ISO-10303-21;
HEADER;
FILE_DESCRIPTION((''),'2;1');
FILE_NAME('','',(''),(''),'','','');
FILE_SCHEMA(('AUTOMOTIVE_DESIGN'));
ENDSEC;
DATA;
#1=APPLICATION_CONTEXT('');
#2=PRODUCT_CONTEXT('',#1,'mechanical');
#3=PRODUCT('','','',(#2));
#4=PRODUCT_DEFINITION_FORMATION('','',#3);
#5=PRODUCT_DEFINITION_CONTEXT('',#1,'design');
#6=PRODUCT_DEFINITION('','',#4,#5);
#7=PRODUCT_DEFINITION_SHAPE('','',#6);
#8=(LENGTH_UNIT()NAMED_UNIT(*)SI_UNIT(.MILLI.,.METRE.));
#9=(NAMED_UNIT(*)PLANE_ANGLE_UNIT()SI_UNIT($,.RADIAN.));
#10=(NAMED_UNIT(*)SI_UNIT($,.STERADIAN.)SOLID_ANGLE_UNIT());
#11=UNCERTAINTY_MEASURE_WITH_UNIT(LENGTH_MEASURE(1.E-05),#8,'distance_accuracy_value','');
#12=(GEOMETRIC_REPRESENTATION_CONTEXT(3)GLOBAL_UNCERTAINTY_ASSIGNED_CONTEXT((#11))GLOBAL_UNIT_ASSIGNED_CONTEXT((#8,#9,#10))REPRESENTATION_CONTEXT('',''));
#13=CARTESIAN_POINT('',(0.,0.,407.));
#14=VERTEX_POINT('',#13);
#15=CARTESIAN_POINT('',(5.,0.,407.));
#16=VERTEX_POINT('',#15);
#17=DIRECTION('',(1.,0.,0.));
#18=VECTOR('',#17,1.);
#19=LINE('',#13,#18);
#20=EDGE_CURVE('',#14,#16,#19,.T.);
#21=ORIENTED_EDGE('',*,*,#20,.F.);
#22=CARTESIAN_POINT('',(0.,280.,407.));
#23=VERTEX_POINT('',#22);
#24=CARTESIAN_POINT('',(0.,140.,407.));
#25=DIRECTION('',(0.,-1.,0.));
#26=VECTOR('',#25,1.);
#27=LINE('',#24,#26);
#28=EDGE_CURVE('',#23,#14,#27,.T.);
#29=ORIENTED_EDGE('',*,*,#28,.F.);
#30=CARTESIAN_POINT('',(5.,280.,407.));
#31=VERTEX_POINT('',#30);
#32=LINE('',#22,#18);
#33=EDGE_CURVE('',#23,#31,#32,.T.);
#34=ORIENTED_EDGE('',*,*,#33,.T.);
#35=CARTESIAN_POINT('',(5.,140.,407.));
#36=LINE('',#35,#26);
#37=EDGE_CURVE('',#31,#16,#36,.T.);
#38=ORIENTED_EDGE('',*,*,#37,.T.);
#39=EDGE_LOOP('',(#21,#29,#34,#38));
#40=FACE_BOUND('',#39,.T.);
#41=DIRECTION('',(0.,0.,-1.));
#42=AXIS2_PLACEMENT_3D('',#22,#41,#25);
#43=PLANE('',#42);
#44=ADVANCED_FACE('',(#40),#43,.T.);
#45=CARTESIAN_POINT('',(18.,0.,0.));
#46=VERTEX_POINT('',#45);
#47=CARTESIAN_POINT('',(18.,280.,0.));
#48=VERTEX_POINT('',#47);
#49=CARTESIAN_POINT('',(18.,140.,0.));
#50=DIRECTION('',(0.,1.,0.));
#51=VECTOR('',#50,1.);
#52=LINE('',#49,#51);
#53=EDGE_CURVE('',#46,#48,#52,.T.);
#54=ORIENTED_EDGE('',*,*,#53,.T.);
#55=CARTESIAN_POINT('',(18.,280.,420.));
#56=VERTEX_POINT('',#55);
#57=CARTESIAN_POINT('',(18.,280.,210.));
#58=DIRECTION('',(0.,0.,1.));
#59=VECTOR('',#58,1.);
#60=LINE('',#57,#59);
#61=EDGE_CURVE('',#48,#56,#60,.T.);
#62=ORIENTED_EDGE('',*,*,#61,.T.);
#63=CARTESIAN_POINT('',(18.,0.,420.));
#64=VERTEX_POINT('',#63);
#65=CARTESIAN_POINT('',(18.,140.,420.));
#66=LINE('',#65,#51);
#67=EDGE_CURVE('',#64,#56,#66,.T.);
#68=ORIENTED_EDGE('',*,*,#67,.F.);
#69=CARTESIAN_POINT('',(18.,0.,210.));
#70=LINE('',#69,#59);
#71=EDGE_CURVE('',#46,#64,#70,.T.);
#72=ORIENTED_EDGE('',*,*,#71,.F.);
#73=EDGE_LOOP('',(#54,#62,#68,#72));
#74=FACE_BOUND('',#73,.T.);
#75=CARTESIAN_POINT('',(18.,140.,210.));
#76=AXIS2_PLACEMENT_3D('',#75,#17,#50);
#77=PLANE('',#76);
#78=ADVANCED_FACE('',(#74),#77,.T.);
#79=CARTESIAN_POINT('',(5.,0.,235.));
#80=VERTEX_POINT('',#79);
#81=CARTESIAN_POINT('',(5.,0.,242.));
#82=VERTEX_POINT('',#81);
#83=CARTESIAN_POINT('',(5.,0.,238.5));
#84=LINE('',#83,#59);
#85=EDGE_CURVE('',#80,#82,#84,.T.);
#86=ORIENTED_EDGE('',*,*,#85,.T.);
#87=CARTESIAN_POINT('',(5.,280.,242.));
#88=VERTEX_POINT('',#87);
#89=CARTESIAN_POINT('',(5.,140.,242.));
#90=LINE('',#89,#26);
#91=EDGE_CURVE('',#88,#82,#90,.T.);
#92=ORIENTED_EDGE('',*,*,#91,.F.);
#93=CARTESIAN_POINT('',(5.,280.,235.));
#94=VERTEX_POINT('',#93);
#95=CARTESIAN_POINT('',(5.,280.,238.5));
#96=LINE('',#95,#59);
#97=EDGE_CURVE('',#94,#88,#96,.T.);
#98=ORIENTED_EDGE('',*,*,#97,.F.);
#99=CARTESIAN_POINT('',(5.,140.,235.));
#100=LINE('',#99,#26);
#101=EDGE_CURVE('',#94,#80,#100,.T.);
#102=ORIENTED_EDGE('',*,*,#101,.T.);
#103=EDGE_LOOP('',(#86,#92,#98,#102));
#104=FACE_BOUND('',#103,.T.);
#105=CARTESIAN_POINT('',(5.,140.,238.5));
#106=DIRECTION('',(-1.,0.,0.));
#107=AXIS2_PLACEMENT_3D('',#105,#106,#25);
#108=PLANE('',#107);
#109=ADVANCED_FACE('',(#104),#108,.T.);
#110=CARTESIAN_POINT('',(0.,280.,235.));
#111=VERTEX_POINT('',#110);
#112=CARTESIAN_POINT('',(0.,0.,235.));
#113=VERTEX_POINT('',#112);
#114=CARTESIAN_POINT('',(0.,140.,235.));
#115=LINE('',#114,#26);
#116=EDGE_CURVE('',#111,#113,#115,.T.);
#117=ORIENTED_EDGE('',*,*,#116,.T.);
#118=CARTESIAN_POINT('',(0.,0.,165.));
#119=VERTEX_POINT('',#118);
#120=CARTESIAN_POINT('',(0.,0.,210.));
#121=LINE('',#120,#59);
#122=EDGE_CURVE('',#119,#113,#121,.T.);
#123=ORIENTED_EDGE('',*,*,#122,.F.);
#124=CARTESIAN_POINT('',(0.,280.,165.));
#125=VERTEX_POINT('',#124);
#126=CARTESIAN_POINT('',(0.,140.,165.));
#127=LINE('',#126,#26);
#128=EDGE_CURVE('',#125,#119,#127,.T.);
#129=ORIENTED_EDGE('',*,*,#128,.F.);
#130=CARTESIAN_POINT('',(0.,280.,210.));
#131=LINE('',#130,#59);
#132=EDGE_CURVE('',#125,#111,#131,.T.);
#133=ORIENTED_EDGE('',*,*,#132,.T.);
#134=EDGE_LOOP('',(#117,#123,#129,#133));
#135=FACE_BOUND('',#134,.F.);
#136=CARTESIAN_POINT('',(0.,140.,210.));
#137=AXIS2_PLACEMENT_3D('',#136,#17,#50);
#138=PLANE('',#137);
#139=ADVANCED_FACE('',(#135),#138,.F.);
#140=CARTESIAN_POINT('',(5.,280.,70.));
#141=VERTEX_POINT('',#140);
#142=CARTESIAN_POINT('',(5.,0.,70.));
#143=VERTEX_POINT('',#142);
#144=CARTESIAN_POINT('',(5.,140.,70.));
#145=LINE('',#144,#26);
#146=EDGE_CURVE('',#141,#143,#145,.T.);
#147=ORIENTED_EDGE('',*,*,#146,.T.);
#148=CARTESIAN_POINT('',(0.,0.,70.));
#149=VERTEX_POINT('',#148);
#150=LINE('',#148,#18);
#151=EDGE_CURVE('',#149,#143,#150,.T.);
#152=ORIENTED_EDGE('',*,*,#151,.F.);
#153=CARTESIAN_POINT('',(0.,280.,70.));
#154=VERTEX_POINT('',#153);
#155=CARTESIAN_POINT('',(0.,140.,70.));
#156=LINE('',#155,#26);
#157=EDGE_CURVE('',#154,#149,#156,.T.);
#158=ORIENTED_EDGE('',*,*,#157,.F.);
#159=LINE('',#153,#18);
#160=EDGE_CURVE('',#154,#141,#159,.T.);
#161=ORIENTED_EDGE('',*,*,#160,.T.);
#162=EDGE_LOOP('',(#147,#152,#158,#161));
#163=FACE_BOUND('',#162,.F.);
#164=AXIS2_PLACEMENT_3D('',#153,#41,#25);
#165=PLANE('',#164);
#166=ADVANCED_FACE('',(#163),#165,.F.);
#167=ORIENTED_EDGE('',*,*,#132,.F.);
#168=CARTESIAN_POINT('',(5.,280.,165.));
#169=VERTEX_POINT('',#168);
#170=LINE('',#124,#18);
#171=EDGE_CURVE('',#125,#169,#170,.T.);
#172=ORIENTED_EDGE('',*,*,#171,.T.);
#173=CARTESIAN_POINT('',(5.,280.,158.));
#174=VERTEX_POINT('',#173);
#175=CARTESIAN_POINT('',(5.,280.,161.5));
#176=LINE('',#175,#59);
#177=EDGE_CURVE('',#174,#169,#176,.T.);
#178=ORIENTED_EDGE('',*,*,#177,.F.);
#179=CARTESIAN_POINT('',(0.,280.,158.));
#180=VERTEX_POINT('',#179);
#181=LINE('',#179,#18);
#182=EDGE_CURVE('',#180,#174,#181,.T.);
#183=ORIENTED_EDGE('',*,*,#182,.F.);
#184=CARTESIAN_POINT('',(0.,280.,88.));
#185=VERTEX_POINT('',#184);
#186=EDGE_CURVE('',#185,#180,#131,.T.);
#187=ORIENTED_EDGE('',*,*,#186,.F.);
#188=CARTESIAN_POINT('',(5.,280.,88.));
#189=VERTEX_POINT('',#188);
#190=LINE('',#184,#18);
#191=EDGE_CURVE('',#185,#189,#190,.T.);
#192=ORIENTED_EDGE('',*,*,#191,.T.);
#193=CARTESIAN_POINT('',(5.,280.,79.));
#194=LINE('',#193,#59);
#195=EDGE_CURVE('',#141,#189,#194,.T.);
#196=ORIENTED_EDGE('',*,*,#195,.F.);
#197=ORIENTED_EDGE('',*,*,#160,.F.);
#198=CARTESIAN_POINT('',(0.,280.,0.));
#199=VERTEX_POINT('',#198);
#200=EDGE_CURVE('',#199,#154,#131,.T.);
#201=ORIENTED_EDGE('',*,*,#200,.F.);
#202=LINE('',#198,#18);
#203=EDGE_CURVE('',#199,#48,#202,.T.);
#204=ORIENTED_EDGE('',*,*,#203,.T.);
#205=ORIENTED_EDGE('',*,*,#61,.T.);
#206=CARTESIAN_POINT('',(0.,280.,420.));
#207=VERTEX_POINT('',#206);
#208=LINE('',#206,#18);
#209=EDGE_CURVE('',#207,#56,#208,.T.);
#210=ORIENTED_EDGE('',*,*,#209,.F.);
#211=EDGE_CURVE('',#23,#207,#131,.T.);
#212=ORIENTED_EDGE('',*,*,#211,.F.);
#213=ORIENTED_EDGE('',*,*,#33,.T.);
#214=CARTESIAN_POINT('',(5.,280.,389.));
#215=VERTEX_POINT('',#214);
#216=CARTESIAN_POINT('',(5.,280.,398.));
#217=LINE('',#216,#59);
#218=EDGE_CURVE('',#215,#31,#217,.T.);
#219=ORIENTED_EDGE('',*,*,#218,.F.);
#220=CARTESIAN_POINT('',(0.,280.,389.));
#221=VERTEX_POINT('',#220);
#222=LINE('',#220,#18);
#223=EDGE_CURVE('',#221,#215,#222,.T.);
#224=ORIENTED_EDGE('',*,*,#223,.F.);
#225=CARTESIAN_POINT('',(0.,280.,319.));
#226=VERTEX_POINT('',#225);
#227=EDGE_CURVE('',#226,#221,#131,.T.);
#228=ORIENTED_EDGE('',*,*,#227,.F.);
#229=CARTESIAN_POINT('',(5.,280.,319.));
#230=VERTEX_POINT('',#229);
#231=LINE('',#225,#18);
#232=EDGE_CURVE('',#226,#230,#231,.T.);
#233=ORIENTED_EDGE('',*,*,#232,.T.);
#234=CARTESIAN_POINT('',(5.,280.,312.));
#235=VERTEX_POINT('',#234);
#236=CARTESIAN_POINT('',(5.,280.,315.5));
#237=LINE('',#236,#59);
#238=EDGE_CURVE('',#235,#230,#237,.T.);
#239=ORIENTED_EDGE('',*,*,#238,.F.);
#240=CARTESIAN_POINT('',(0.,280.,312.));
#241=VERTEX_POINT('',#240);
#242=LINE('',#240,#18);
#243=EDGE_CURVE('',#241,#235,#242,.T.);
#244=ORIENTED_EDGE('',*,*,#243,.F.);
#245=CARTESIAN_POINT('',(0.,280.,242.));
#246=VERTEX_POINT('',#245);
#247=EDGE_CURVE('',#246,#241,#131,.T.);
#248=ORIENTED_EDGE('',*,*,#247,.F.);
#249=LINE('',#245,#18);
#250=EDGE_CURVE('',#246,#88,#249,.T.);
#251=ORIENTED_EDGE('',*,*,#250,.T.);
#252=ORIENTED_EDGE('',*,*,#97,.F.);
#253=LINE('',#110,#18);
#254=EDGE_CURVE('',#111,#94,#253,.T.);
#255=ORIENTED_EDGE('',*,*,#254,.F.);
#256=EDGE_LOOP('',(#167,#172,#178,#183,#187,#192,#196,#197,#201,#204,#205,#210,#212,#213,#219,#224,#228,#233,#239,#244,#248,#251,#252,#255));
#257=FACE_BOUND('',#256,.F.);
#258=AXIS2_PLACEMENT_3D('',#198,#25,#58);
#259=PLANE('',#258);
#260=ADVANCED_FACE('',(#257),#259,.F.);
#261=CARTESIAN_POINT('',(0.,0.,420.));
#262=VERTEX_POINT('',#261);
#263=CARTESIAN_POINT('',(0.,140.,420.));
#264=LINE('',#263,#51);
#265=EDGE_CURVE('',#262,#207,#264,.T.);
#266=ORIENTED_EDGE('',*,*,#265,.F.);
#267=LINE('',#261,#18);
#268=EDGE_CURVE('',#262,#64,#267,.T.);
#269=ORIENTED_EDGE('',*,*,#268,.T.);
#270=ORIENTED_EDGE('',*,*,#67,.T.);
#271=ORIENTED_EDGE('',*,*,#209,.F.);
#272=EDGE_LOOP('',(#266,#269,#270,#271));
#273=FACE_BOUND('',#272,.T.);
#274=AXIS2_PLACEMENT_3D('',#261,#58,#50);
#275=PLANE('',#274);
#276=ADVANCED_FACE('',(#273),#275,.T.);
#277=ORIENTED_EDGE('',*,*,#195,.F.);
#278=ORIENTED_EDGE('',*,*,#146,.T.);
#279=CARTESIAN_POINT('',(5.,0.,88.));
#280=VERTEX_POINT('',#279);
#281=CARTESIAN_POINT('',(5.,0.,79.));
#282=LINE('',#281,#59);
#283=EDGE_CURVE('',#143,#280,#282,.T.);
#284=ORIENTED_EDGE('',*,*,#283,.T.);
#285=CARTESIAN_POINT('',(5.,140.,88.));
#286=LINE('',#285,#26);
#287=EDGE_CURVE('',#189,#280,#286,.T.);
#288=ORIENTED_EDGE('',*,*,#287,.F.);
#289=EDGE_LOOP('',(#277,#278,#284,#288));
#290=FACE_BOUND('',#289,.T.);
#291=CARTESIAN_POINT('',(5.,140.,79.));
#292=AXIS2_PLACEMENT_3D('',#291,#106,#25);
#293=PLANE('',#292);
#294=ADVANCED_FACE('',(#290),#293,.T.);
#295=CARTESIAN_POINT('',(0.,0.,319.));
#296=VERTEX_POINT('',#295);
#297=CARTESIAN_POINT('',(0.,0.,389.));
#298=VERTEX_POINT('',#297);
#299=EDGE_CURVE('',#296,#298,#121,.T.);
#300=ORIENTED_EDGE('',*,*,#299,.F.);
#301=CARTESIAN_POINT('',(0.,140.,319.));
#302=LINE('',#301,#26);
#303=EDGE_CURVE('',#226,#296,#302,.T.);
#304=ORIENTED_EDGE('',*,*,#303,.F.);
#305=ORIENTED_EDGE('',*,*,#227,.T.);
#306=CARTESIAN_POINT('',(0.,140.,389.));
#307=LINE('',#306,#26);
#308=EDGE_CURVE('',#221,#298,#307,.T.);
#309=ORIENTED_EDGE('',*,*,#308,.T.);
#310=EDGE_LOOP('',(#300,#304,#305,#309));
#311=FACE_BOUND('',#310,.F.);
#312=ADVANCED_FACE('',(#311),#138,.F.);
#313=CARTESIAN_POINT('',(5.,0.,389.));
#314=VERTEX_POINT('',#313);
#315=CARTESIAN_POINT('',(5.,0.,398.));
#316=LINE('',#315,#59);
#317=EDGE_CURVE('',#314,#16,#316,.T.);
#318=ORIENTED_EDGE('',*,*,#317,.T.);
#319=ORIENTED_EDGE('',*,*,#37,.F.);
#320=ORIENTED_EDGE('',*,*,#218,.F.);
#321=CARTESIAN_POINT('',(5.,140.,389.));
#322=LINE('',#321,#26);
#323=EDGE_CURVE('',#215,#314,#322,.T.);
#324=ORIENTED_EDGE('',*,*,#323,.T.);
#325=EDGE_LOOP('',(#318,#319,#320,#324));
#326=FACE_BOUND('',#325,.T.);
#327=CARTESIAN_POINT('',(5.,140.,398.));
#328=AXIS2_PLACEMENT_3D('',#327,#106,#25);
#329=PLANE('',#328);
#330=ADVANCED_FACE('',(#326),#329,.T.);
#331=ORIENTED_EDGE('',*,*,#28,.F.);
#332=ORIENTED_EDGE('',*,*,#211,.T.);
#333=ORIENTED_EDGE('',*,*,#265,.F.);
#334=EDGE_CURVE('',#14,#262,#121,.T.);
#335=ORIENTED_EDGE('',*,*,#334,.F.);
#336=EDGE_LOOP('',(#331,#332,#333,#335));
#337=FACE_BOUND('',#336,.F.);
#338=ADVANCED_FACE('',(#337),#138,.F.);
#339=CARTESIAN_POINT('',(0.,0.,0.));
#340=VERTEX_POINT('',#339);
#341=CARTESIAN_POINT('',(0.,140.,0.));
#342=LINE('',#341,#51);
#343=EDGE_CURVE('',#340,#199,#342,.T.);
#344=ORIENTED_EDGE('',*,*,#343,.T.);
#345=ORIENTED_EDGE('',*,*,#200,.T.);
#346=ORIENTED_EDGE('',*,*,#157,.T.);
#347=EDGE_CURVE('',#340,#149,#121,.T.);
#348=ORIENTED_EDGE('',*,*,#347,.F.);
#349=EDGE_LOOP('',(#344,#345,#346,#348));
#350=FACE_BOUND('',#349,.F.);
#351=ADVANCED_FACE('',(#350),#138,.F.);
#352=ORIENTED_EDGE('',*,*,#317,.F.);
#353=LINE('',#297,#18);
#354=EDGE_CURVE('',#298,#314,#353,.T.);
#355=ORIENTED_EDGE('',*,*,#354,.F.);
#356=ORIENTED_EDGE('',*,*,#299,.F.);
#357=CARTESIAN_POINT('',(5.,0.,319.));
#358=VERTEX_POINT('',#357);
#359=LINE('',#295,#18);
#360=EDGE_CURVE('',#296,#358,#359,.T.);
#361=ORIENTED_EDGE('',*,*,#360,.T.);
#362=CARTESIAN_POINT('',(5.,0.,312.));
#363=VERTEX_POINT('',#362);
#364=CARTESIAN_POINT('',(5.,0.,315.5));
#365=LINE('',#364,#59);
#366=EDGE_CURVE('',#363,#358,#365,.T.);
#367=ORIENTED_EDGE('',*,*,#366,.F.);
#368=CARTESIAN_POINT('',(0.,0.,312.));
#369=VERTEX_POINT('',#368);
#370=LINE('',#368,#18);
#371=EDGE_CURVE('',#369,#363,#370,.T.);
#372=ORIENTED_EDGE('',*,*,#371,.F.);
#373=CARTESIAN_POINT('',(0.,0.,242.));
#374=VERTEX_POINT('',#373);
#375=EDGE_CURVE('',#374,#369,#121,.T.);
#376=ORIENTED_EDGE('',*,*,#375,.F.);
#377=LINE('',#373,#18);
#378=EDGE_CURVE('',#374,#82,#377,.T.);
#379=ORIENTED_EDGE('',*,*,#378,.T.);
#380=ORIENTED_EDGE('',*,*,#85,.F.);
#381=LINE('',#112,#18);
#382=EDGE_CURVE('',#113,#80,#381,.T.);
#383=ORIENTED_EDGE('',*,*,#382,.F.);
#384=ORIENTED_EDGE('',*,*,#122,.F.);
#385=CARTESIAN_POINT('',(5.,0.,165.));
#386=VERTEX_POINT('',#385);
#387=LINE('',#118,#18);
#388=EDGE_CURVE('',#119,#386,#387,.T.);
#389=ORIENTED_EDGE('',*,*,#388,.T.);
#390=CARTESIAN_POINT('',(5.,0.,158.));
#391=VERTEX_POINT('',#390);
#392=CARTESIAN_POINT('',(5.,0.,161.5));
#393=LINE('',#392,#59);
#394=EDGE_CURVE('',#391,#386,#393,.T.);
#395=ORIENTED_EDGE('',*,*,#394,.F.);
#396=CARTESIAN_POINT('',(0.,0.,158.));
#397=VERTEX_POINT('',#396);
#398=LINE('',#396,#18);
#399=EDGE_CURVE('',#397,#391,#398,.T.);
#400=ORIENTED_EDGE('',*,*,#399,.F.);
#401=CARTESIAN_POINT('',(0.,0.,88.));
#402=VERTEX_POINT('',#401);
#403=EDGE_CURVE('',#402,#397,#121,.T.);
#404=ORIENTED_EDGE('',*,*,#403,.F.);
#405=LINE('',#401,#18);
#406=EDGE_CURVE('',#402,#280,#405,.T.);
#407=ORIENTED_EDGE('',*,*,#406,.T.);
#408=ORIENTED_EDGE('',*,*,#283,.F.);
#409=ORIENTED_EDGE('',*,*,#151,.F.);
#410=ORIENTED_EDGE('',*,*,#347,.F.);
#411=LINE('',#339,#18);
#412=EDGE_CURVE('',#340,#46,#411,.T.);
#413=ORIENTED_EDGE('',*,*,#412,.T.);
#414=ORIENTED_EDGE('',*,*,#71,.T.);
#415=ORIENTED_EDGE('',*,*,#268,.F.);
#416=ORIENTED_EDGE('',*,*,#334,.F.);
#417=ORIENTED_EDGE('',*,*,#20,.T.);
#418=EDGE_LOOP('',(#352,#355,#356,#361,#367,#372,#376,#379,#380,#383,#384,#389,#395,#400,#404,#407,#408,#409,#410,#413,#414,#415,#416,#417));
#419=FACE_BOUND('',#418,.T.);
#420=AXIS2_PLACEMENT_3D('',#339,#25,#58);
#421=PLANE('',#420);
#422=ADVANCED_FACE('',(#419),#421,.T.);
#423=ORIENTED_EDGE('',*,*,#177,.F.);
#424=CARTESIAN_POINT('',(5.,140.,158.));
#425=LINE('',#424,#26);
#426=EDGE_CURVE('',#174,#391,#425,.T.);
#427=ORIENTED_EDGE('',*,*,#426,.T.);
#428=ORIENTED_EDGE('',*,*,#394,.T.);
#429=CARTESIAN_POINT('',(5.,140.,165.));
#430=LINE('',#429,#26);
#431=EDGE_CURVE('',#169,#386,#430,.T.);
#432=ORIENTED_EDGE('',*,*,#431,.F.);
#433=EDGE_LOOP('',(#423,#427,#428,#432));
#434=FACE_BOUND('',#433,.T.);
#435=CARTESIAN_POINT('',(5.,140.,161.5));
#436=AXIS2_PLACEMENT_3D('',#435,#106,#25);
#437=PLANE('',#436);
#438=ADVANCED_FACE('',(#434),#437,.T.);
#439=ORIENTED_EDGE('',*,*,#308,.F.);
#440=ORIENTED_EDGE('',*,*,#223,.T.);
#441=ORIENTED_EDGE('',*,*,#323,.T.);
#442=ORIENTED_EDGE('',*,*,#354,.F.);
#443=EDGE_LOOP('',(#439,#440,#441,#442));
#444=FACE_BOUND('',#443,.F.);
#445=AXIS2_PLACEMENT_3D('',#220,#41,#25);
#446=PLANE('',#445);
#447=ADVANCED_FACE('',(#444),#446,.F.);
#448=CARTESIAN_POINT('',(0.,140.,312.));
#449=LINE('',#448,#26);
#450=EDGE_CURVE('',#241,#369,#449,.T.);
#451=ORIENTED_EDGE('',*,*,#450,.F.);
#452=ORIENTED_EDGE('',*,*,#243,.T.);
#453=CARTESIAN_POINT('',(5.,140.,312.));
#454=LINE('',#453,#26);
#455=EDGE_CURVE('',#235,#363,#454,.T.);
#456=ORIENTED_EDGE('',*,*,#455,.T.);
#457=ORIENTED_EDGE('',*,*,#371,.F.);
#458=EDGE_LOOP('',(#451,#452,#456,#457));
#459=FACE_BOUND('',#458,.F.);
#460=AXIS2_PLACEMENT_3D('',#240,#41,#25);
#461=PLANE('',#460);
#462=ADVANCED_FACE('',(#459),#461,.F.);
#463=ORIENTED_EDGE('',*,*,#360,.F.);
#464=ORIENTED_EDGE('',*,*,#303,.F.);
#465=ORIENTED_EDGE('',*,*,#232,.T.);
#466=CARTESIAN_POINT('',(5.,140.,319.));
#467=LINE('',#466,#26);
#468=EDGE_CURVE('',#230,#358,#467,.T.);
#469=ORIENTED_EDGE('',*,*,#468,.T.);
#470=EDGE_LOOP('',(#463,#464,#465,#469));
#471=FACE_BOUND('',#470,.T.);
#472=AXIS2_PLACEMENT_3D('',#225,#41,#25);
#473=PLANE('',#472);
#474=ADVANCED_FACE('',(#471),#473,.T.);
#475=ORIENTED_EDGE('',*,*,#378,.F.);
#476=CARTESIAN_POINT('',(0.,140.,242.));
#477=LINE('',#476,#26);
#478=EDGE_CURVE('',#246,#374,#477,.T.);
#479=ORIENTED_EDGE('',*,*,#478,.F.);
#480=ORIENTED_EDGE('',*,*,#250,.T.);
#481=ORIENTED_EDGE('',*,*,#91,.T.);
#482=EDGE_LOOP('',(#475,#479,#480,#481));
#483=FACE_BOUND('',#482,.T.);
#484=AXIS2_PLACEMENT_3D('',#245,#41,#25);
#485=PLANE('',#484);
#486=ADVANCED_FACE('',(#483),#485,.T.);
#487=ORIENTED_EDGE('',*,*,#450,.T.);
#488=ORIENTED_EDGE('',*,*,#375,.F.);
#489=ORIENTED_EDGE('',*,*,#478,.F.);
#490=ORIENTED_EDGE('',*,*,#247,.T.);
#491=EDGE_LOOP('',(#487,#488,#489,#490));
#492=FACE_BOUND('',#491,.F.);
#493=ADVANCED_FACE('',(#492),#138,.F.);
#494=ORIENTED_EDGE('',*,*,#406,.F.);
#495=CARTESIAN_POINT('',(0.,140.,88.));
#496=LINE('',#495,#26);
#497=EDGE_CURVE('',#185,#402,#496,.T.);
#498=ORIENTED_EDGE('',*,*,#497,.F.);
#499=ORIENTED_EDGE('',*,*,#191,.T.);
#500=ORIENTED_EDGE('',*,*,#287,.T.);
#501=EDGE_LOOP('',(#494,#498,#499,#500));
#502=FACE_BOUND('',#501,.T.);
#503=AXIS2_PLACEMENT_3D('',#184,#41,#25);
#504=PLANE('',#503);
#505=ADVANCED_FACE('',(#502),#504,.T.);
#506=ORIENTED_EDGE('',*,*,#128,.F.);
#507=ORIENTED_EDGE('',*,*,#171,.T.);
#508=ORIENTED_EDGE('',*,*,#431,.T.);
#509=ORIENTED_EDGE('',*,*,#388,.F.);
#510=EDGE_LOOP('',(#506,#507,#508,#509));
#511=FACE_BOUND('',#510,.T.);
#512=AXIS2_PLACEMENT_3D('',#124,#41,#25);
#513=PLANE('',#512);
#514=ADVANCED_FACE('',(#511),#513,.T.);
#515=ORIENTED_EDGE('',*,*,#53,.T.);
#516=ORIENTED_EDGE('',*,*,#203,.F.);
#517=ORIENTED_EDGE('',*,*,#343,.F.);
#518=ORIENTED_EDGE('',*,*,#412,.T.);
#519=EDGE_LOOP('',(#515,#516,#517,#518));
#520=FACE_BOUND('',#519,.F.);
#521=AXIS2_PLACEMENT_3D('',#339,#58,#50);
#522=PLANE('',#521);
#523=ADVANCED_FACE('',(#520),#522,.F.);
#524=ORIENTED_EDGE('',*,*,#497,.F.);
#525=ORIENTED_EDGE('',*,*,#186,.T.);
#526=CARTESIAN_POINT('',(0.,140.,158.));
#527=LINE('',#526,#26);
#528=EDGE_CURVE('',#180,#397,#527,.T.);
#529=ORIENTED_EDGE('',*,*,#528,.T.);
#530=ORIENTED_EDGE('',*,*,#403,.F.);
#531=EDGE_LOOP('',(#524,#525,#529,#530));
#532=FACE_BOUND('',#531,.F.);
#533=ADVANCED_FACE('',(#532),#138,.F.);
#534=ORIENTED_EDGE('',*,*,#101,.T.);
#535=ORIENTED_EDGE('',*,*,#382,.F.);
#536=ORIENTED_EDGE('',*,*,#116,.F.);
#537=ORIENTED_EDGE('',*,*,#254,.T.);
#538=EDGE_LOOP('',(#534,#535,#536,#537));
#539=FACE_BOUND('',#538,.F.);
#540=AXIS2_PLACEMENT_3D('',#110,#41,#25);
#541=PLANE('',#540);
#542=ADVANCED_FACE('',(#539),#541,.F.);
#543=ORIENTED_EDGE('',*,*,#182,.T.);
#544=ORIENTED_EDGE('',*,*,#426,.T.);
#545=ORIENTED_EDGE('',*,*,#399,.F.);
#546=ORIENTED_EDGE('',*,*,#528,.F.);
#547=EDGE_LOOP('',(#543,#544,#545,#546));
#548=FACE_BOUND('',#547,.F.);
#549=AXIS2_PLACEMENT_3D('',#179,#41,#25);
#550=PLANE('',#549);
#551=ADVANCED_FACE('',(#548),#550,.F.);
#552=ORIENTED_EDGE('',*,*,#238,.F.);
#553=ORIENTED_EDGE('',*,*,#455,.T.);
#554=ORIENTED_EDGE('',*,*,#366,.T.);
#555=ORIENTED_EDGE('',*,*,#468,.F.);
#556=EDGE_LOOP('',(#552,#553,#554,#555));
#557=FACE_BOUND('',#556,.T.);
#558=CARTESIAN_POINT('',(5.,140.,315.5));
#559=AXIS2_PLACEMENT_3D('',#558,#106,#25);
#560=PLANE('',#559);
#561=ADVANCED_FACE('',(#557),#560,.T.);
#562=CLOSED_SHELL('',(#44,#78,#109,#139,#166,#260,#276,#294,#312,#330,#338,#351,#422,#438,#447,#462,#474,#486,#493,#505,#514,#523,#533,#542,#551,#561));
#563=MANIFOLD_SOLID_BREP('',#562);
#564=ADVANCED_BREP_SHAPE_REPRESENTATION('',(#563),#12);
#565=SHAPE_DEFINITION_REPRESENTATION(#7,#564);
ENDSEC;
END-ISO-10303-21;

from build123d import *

# Parameters (mm, degrees)
F0_W     = 280
F0_H     = 420
F1_DEPTH = 18
F2_W     = 280
F2_H     = 18
F2_H_2   = 7
F3_DEPTH = 5


with BuildPart() as f1:
    # F0 (on Right) → F1 (new body)
    with BuildSketch(Plane.YZ):
        with Locations((140, 210)):
            Rectangle(F0_W, F0_H)
    extrude(amount=F1_DEPTH)

    # F2 (on face) → F3 (cut)
    with BuildSketch(Plane(origin=(0, 0, 0), x_dir=(0, -1, 0), z_dir=(-1, 0, 0))):
        with Locations((-140, 79)):
            Rectangle(F2_W, F2_H)
        with Locations((-140, 161.5)):
            Rectangle(F2_W, F2_H_2)
        with Locations((-140, 238.5)):
            Rectangle(F2_W, F2_H_2)
        with Locations((-140, 315.5)):
            Rectangle(F2_W, F2_H_2)
        with Locations((-140, 398)):
            Rectangle(F2_W, F2_H)
    extrude(amount=-F3_DEPTH, mode=Mode.SUBTRACT)


solid = f1.part
